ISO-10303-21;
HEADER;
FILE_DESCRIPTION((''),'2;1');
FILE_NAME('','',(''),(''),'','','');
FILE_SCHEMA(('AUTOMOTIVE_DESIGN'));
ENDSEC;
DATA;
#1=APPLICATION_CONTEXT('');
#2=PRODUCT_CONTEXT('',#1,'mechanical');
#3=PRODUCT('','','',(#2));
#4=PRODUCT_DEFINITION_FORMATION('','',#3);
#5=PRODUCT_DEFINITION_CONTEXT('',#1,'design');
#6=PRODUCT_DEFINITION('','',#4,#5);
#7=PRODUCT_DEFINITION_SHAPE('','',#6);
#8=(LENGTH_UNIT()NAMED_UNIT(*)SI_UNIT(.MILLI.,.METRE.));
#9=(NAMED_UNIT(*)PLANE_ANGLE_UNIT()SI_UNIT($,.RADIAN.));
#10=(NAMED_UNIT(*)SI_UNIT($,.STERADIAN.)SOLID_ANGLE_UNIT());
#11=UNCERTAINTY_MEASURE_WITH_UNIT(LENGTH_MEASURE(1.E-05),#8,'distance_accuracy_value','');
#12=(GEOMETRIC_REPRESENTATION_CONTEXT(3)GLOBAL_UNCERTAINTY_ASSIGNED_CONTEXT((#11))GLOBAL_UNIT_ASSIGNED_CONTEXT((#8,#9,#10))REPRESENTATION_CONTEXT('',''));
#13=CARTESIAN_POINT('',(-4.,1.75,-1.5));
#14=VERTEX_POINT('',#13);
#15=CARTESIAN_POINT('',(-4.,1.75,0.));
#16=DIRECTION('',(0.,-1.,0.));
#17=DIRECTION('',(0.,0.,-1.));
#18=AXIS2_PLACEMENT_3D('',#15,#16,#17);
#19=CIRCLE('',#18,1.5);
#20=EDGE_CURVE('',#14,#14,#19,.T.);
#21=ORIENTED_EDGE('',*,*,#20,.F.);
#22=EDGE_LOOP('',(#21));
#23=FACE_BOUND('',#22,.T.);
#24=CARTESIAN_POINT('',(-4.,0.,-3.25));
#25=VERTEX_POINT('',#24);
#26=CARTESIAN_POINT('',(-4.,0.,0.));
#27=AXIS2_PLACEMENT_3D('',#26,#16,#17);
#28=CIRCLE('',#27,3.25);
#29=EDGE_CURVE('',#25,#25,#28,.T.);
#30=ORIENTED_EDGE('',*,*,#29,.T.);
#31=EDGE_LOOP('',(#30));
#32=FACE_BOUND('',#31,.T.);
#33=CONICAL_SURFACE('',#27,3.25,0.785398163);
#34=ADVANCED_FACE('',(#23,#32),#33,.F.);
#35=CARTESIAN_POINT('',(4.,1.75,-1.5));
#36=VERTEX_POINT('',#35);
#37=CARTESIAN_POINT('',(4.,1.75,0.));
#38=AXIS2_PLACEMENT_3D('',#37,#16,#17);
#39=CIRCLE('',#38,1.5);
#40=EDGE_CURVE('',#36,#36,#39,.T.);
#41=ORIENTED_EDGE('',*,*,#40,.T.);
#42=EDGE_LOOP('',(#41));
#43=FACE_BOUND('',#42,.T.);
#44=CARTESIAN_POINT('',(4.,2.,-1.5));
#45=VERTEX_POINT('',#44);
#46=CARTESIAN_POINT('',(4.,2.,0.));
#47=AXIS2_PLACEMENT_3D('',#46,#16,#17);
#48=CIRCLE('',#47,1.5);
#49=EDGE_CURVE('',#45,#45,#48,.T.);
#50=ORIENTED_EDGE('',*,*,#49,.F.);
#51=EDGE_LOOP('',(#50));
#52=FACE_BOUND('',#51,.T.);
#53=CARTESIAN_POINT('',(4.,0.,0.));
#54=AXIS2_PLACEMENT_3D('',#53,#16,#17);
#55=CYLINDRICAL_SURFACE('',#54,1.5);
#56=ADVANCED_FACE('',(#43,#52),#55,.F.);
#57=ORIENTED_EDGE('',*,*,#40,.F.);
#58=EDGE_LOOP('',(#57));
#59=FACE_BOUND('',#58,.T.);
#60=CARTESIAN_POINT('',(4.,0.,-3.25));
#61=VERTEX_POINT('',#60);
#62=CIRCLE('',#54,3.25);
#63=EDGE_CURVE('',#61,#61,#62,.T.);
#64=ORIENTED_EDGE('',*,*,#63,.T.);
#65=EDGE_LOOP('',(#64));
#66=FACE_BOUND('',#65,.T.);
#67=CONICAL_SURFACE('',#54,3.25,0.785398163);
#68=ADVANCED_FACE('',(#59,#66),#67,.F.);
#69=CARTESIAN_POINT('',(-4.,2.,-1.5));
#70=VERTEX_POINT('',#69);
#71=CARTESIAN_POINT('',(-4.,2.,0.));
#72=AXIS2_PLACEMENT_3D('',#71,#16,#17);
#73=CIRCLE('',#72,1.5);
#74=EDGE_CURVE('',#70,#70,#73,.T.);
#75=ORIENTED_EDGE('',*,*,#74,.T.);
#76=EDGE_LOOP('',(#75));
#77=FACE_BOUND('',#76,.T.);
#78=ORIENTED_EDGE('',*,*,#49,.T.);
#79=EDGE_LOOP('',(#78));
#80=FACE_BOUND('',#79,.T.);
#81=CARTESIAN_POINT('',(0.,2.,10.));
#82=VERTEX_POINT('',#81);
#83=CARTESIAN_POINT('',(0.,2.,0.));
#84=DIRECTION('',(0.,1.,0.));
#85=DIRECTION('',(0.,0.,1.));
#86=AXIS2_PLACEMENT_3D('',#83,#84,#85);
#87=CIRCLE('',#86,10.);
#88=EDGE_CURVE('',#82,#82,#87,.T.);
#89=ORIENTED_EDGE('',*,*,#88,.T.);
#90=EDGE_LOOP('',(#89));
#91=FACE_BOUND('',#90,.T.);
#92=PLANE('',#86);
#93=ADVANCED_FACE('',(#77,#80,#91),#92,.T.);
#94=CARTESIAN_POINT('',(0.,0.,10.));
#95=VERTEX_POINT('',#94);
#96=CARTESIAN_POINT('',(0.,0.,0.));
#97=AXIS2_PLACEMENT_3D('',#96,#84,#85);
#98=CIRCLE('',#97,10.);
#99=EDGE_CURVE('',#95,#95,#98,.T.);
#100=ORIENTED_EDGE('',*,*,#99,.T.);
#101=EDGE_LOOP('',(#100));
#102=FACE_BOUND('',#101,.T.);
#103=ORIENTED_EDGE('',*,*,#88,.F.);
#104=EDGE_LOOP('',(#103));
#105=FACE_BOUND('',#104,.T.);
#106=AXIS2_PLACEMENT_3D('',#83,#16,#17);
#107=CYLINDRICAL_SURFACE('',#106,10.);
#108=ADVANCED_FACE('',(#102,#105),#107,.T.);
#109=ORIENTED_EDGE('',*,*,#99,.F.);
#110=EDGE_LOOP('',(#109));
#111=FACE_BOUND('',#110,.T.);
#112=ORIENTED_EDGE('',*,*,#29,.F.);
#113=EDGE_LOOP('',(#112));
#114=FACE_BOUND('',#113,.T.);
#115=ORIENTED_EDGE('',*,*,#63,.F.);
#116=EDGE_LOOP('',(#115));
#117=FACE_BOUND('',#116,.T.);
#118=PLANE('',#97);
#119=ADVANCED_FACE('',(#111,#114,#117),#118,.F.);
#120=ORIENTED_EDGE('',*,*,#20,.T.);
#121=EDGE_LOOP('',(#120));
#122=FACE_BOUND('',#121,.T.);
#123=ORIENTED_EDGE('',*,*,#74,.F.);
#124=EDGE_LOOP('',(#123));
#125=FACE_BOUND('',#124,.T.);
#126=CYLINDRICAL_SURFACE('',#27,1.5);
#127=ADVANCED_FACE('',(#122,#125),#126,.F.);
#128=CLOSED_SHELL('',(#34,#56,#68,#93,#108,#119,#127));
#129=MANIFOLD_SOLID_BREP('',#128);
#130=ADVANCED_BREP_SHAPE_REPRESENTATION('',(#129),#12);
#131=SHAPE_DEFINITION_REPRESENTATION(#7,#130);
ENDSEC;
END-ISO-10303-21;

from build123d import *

# Parameters (mm, degrees)
SKETCH_1_R               = 10
EXTRUDE_1_DEPTH          = 2
HOLE_WIZARD_2_AT_2_COUNT = 2
HOLE_WIZARD_2_AT_2_PITCH = 8


with BuildPart() as part:
    # 草图1 → 凸台-拉伸1 (new body)
    with BuildSketch(Plane(origin=(0, 0, 0), x_dir=(1, 0, 0), z_dir=(0, 1, 0))):
        with Locations(Location((0, 0, 0), (0, 0, 270))):
            Circle(SKETCH_1_R)
    extrude(amount=EXTRUDE_1_DEPTH)

    # 草图4 → 孔2 (revolve, cut)
    with BuildSketch(Plane(origin=(4, 0, 0), x_dir=(0, 0, -1), z_dir=(1, 0, 0))):
        Polygon((0, 0), (0, 2), (1.5, 2), (1.5, 1.75), (3.25, 0), align=None)
    hole_wizard_2 = revolve(axis=Axis((4, -6.445314094, 0), (0, 1, 0)), mode=Mode.SUBTRACT)

    # 孔2 at 2: 孔2 ×2
    with Locations(*[(-i * HOLE_WIZARD_2_AT_2_PITCH, 0, 0) for i in range(1, HOLE_WIZARD_2_AT_2_COUNT)]):
        add(hole_wizard_2, mode=Mode.SUBTRACT)


solid = part.part
